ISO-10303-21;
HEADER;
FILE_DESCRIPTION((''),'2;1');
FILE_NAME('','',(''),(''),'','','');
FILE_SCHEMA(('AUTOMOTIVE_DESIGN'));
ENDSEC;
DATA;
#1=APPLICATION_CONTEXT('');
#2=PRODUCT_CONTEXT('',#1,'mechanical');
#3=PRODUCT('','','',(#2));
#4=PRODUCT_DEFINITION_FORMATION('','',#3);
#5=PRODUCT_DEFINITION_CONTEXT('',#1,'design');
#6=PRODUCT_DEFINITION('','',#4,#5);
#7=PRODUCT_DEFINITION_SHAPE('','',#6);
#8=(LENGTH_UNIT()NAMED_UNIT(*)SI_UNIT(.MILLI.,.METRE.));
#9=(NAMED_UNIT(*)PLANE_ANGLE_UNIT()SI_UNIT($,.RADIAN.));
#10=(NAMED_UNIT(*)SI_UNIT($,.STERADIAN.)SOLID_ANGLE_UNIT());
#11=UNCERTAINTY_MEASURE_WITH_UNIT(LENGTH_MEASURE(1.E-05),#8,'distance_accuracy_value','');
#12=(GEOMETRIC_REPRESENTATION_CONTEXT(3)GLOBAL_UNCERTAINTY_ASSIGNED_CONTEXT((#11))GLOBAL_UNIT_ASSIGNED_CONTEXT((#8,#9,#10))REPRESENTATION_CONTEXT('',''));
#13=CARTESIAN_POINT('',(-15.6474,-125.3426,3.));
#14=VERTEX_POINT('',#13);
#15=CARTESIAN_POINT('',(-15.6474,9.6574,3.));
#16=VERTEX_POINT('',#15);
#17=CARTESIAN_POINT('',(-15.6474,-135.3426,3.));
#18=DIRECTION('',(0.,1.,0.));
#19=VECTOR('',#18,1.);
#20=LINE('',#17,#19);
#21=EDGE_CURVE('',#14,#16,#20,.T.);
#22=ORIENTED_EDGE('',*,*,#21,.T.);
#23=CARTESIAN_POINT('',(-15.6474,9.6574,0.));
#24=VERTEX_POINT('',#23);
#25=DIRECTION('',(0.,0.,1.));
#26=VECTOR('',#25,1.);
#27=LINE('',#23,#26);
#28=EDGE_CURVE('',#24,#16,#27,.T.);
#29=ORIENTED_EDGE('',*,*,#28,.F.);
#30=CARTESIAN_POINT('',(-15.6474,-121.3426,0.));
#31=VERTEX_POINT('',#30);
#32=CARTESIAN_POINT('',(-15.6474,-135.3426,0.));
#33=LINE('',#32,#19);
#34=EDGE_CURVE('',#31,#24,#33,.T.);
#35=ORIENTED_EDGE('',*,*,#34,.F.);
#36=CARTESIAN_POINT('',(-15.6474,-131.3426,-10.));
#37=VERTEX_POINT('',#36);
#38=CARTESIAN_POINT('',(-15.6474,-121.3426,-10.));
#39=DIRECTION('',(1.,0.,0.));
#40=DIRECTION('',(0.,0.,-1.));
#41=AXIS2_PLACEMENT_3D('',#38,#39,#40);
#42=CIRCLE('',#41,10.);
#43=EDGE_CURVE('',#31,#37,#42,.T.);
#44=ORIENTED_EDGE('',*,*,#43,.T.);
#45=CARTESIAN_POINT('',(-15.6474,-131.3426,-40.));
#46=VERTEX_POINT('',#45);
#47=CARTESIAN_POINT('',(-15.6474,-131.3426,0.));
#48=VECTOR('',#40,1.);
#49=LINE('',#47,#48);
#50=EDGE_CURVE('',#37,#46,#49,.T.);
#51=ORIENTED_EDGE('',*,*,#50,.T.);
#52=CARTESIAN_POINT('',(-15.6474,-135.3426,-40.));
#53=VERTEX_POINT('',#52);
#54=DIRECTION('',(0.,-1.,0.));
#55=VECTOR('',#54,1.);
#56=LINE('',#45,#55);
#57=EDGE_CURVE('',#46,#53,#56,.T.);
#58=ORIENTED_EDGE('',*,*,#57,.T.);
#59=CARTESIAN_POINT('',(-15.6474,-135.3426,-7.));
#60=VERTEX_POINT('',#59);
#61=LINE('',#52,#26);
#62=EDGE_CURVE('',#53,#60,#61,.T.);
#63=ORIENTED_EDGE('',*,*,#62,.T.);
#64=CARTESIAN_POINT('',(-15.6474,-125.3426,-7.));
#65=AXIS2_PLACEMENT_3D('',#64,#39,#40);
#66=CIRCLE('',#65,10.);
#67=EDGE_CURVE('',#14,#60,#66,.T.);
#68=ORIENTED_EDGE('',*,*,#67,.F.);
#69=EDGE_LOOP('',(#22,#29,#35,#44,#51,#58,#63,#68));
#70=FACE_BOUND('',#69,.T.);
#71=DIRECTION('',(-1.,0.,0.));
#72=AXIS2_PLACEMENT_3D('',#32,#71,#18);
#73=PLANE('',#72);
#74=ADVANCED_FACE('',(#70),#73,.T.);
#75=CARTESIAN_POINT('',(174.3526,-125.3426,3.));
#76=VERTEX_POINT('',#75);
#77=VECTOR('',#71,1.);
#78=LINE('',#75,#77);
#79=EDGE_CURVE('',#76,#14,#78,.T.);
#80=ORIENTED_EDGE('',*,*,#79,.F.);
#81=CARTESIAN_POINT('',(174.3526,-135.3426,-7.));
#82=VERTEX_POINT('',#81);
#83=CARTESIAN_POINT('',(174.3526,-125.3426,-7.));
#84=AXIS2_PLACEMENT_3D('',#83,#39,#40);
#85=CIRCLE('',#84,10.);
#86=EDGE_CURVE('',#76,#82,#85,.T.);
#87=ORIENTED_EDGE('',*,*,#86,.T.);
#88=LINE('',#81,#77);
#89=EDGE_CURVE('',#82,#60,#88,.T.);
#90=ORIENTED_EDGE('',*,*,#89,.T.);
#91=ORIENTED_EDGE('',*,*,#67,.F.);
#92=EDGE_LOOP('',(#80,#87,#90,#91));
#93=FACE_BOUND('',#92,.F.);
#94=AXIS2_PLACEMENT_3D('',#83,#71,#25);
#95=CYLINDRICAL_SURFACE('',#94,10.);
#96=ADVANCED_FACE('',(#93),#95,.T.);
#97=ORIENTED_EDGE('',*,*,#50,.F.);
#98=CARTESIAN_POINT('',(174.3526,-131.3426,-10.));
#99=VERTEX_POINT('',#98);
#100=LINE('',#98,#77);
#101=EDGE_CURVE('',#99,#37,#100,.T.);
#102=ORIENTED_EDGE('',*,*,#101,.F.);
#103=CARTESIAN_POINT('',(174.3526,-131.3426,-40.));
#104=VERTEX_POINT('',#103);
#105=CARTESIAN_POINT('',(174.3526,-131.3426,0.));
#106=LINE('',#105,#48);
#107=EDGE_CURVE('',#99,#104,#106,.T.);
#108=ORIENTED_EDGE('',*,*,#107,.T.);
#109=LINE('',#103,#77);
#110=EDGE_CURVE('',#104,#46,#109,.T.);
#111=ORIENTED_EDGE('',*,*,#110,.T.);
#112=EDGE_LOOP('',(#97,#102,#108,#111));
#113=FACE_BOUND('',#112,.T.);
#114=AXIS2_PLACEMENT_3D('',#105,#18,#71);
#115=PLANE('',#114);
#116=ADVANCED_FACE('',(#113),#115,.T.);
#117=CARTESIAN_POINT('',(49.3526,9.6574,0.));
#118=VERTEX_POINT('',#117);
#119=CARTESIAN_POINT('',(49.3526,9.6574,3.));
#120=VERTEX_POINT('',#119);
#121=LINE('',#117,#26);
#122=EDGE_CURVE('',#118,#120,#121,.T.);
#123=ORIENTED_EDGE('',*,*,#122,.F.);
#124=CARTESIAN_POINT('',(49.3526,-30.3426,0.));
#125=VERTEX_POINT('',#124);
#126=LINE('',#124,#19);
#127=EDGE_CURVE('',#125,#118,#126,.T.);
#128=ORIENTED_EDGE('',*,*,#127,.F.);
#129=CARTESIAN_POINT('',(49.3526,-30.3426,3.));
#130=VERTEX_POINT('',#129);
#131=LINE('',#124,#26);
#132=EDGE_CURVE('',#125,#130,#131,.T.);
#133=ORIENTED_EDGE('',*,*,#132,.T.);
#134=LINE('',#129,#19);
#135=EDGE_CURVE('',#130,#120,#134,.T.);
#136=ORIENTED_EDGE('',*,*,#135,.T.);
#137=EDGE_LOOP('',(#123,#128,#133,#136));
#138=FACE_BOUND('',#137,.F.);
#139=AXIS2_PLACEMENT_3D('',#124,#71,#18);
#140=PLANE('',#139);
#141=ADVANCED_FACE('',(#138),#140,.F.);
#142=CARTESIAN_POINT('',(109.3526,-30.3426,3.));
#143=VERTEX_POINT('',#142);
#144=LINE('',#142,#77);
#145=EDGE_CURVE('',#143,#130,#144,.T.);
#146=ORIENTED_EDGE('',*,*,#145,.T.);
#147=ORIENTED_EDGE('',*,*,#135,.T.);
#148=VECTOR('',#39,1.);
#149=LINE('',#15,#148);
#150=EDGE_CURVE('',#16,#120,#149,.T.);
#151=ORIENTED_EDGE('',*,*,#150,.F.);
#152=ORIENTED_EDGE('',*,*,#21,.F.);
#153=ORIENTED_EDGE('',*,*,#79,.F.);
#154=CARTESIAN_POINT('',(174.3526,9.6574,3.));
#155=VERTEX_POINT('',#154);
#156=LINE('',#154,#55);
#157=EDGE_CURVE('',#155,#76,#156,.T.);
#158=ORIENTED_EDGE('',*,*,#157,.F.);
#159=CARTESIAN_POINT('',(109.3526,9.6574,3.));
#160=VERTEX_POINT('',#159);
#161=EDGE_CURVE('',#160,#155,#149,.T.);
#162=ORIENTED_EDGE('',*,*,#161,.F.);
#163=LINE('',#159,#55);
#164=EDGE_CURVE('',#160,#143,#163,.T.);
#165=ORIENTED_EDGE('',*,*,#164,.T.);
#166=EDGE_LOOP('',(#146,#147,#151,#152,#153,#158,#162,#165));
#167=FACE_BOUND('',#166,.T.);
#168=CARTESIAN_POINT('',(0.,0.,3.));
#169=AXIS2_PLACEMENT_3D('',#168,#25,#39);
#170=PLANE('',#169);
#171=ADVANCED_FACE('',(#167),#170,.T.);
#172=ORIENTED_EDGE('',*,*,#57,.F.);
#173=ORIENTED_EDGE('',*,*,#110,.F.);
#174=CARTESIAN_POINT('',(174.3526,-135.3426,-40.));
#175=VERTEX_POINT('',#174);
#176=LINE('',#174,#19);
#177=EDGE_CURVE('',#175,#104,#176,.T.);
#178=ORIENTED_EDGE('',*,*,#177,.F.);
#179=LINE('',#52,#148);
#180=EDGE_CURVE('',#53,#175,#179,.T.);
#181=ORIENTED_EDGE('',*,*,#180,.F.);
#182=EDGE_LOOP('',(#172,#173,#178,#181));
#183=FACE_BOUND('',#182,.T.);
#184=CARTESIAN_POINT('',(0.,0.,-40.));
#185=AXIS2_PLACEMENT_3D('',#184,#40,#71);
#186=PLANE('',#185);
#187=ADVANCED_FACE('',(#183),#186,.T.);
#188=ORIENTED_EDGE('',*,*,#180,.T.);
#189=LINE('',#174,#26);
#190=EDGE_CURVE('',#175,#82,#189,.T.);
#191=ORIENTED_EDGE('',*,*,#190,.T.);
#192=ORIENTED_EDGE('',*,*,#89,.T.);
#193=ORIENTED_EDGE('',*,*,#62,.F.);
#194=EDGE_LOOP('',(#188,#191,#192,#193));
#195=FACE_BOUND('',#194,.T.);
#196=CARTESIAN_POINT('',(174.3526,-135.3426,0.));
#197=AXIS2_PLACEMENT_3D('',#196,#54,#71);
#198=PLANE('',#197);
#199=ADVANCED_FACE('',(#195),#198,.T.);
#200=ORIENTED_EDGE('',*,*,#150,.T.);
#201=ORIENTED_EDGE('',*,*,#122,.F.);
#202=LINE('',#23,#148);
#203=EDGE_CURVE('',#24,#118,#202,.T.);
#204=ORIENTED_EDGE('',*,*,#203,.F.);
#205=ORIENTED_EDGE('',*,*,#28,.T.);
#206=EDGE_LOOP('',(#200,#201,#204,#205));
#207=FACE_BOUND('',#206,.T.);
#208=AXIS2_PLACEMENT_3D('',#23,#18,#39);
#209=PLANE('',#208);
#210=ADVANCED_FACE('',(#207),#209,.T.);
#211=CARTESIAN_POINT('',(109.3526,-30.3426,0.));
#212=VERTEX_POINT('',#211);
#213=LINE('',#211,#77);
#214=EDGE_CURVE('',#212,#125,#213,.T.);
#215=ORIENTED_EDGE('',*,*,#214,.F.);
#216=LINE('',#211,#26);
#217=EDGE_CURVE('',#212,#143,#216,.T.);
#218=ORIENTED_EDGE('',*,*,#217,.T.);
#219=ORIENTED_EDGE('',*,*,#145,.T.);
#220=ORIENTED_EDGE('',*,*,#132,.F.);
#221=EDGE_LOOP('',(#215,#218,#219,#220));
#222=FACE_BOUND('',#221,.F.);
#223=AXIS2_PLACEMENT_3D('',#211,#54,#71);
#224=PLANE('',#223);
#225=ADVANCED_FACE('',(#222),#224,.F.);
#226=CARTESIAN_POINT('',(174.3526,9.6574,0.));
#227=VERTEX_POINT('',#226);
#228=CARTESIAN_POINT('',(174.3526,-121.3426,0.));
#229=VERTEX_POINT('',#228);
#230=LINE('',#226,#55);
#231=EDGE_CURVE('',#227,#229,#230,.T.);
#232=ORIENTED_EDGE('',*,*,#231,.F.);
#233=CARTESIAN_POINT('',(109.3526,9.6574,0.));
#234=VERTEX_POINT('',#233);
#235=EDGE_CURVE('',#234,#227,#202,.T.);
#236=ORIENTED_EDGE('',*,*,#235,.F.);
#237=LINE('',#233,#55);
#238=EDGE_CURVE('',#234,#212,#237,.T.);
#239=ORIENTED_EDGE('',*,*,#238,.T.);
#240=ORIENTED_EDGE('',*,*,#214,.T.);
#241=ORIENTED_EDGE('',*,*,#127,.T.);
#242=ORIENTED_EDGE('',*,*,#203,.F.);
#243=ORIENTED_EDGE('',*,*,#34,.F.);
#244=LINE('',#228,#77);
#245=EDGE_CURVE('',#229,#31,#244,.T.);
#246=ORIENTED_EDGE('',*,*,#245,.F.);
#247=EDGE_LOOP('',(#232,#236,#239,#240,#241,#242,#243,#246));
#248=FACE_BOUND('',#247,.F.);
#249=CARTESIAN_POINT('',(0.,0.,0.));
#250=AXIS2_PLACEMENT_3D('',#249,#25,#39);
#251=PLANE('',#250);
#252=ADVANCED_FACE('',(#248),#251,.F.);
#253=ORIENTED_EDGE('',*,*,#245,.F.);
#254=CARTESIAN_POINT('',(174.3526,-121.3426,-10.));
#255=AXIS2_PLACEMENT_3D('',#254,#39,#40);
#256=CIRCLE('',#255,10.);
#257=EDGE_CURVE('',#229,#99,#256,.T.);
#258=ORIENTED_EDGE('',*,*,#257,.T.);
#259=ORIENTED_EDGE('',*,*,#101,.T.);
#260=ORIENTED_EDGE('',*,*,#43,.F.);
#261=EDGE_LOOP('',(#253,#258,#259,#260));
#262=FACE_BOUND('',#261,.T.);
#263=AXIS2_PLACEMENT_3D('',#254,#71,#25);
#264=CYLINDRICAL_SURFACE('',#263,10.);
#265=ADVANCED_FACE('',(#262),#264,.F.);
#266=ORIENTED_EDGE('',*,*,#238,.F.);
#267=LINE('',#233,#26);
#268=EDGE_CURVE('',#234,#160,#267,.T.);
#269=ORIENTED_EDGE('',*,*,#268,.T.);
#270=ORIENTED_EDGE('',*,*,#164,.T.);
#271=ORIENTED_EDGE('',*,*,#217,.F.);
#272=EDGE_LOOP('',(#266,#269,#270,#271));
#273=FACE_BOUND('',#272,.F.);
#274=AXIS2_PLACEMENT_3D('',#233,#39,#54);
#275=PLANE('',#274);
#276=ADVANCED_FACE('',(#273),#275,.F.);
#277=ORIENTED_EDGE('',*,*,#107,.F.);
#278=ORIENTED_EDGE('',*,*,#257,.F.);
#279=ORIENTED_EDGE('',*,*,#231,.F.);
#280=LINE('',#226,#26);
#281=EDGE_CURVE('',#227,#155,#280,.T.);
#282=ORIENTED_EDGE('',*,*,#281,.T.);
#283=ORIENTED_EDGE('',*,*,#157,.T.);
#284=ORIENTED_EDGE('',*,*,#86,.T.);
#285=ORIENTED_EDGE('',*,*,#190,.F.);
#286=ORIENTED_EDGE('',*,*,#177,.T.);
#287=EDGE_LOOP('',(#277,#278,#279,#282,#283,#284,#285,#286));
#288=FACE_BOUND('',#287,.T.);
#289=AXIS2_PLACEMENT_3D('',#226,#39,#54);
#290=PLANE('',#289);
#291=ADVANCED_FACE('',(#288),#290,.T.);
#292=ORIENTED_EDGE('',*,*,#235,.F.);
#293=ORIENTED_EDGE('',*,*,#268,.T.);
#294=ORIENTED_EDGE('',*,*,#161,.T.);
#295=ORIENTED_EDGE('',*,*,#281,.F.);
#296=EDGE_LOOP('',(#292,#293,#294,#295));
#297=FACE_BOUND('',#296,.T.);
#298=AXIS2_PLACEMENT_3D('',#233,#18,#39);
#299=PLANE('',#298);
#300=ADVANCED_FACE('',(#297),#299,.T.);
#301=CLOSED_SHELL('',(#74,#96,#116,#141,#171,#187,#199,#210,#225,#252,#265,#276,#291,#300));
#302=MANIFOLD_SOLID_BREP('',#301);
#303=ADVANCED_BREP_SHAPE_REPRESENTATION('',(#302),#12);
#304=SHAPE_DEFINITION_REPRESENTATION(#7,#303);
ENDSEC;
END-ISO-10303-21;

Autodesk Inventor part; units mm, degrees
ref_plane "YZ Plane" through (0, 0, 0) normal (1, 0, 0) x (0, 1, 0)
ref_plane "XZ Plane" through (0, 0, 0) normal (0, 1, 0) x (-1, 0, 0)
ref_plane "XY Plane" through (0, 0, 0) normal (0, 0, 1) x (1, 0, 0)
sketch "Sketch1" plane through (0, 0, 0) normal (0, 0, 1) x (1, 0, 0)
  line L0 (-15.6474, 9.6574) -> (174.3526, 9.6574)
  line L1 (174.3526, 9.6574) -> (174.3526, -135.3426)
  line L2 (174.3526, -135.3426) -> (-15.6474, -135.3426)
  line L3 (-15.6474, -135.3426) -> (-15.6474, 9.6574)
  line L4 (49.3526, 9.6574) -> (109.3526, 9.6574)
  line L5 (109.3526, 9.6574) -> (109.3526, -30.3426)
  line L6 (109.3526, -30.3426) -> (49.3526, -30.3426)
  line L7 (49.3526, -30.3426) -> (49.3526, 9.6574)
  point P0 (0, 0)
  dimension "d0" = 190
  dimension "d1" = 145
  dimension "d2" = 60
  dimension "d3" = 40
  dimension "d4" = 65
extrude "Extrusion1" add sketch "Sketch1" along normal blind 3 contours L0 L7 L6 L5 L1 L2 L3
sketch "Sketch2" plane through (0, 0, 0) normal (0, 0, -1) x (-1, 0, 0)
  line L0 (15.6474, -135.3426) -> (-174.3526, -135.3426) projected
  line L1 (-174.3526, -135.3426) -> (-174.3526, 9.6574) projected
  line L2 (15.6474, -135.3426) -> (-174.3526, -135.3426)
  line L3 (-174.3526, -135.3426) -> (-174.3526, -131.3426)
  line L4 (-174.3526, -131.3426) -> (15.6474, -131.3426)
  line L5 (15.6474, -131.3426) -> (15.6474, -135.3426)
  point P0 (0, 0)
  dimension "d7" = 4
extrude "Extrusion2" add sketch "Sketch2" along normal blind 40
fillet "Fillet1" radius 10 2 edges at (79.3526, -131.3426, 0) (79.3526, -135.3426, 3)
properties part number "płyta_dla_arduino"
